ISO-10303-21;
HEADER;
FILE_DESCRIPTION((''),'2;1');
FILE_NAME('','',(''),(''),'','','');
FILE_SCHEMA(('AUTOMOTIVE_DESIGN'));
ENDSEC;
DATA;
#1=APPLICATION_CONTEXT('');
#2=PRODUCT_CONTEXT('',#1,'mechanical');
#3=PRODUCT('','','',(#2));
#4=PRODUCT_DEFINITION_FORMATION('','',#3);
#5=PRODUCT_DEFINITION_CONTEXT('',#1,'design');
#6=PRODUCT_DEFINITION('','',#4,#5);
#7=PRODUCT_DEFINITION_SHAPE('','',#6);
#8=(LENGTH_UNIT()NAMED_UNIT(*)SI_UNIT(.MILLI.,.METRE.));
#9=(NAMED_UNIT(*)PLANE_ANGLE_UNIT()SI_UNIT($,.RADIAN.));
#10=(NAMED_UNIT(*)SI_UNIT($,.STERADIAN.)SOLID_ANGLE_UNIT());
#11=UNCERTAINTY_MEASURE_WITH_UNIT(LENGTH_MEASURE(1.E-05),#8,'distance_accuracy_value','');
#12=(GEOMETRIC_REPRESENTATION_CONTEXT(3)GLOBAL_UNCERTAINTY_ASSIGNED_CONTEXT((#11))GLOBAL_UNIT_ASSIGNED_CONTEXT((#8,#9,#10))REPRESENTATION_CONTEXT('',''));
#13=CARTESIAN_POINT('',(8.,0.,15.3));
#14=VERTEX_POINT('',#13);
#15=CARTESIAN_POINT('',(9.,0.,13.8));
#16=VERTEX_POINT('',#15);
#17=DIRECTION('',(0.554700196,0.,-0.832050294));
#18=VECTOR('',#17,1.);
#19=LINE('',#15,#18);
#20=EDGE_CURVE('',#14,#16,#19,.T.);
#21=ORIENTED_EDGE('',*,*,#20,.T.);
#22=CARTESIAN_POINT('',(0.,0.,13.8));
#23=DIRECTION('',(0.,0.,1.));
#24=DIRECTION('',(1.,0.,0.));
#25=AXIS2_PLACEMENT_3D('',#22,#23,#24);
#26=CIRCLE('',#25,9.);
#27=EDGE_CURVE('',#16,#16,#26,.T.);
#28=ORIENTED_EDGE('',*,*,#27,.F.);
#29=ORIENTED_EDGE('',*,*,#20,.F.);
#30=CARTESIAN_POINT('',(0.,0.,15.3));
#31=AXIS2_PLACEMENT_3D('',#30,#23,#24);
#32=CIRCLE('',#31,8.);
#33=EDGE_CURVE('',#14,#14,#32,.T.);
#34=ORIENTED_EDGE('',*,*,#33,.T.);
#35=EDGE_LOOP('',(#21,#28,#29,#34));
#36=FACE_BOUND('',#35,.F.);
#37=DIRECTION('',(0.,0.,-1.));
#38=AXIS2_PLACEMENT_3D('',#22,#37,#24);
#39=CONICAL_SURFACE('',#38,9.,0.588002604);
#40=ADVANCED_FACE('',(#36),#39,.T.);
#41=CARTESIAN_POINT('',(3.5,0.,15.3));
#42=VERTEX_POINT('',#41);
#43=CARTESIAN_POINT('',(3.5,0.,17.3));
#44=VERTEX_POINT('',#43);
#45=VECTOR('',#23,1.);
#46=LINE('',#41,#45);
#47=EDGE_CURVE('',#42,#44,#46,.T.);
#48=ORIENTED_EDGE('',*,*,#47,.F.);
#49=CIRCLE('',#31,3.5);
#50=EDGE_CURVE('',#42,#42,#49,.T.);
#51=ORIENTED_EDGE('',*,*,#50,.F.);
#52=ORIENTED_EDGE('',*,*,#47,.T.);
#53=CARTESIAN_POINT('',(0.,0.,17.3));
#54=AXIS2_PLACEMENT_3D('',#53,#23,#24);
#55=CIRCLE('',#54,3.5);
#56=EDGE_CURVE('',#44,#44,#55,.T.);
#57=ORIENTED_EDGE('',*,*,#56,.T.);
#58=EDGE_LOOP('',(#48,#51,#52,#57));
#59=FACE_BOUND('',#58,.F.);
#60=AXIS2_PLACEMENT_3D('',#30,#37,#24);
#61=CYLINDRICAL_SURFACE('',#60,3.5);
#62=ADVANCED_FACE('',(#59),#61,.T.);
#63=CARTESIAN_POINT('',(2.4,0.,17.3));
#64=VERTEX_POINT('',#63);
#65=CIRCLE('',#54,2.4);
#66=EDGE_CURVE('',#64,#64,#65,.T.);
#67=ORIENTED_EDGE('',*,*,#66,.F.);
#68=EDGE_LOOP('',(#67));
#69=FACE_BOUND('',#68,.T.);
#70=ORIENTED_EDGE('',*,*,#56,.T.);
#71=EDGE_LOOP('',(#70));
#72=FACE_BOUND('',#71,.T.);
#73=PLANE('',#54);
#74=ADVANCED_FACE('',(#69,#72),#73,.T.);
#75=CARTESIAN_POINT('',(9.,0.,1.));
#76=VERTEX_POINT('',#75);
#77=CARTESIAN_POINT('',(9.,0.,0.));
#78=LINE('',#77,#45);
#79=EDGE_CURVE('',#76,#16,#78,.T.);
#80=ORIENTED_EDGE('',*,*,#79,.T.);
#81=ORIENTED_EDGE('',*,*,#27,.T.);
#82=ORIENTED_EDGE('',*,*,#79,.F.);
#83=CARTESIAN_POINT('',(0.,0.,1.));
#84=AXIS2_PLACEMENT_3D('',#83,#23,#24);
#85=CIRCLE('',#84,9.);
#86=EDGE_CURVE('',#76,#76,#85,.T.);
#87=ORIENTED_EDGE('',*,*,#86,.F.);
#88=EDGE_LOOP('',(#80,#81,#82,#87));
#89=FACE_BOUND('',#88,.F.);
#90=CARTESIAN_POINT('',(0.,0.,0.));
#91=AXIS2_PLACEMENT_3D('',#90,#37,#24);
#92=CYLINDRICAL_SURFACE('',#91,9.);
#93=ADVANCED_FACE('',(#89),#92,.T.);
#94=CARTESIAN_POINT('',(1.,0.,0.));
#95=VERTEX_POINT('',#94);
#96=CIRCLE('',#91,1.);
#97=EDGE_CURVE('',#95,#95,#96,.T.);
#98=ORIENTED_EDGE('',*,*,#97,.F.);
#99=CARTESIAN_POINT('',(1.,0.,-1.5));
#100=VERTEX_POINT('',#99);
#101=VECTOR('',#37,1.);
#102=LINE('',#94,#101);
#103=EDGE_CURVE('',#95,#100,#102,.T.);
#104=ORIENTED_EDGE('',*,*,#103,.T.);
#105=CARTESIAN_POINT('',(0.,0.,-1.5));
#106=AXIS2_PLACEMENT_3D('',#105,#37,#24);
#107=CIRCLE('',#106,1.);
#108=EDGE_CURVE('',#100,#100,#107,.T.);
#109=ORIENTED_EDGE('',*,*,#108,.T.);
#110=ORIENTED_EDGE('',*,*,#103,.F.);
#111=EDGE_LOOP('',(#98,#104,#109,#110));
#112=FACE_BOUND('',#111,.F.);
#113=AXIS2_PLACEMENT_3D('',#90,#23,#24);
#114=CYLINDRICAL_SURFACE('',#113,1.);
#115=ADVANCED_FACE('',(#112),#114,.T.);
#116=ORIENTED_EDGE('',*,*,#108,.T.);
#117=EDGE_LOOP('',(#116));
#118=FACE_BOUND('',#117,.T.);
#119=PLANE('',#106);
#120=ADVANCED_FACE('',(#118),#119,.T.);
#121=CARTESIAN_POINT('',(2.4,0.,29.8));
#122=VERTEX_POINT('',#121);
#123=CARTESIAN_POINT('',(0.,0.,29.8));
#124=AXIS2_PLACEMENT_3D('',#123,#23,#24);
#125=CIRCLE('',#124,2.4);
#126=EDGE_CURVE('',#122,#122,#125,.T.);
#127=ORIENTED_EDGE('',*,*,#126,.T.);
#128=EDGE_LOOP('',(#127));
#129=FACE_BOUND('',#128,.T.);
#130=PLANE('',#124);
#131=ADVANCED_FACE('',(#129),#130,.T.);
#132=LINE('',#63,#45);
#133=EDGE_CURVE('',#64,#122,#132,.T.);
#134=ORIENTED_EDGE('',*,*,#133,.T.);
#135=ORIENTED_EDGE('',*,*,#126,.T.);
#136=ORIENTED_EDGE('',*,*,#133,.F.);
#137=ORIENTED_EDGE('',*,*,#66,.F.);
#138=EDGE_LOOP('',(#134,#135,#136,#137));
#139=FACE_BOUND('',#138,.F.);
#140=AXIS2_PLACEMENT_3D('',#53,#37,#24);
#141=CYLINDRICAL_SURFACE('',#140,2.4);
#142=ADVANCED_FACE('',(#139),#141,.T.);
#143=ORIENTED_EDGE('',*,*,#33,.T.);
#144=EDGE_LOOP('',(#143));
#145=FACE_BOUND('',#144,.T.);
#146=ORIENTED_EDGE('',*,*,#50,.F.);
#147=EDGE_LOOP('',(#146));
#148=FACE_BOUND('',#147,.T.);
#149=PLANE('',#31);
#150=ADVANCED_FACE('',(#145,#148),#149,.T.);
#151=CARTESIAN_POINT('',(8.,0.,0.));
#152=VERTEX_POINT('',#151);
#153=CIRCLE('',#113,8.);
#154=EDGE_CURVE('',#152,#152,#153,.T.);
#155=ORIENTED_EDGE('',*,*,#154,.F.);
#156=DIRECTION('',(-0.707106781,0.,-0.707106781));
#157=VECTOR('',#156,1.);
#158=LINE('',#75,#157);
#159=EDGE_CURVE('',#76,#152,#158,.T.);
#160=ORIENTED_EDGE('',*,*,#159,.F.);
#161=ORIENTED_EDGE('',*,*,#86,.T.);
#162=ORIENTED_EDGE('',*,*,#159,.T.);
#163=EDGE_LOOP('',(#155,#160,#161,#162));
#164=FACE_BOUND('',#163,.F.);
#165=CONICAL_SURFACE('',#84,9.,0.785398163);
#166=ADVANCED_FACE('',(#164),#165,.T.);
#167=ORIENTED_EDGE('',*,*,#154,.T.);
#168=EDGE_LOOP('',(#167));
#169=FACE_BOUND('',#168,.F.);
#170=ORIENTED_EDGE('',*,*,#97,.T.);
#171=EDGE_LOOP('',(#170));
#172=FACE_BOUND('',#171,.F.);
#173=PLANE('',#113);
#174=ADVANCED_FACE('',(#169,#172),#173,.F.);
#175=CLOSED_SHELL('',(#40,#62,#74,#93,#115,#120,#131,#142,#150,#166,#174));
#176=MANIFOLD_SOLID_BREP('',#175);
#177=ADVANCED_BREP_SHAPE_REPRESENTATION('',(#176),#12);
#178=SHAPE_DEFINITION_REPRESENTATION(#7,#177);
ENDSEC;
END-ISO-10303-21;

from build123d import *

# Parameters (mm, degrees)
F0_R     = 9
F1_DEPTH = 15.3
F2_SIZE  = 1
F3_SIZE2 = 1.5
F3_SIZE  = 1
F4_R     = 3.5
F5_DEPTH = 2
F6_R     = 2.4
F7_DEPTH = 12.5
F8_R     = 1
F9_DEPTH = 1.5


with BuildPart() as f1:
    # F0 (on Top) → F1 (new body)
    with BuildSketch(Plane.XY):
        Circle(F0_R)
    extrude(amount=F1_DEPTH)

    # F2
    f2_edges = [f1.edges().sort_by_distance(p)[0] for p in [
        (-9, 0, 0),
    ]]
    chamfer(f2_edges, length=F2_SIZE)

    # F3
    f3_edges = [f1.edges().sort_by_distance(p)[0] for p in [
        (-9, 0, 15.3),
    ]]
    f3_side = f1.faces().sort_by_distance((0, 0, 15.3))[0]
    chamfer(f3_edges, length=F3_SIZE, length2=F3_SIZE2, reference=f3_side)

    # F4 (on face) → F5 (join)
    with BuildSketch(Plane.XY.offset(15.3)):
        Circle(F4_R)
    extrude(amount=F5_DEPTH)

    # F6 (on face) → F7 (join)
    with BuildSketch(Plane.XY.offset(17.3)):
        Circle(F6_R)
    extrude(amount=F7_DEPTH)

    # F8 (on face) → F9 (join)
    with BuildSketch(Plane(origin=(0, 0, 0), x_dir=(1, 0, 0), z_dir=(0, 0, -1))):
        Circle(F8_R)
    extrude(amount=F9_DEPTH)


solid = f1.part
